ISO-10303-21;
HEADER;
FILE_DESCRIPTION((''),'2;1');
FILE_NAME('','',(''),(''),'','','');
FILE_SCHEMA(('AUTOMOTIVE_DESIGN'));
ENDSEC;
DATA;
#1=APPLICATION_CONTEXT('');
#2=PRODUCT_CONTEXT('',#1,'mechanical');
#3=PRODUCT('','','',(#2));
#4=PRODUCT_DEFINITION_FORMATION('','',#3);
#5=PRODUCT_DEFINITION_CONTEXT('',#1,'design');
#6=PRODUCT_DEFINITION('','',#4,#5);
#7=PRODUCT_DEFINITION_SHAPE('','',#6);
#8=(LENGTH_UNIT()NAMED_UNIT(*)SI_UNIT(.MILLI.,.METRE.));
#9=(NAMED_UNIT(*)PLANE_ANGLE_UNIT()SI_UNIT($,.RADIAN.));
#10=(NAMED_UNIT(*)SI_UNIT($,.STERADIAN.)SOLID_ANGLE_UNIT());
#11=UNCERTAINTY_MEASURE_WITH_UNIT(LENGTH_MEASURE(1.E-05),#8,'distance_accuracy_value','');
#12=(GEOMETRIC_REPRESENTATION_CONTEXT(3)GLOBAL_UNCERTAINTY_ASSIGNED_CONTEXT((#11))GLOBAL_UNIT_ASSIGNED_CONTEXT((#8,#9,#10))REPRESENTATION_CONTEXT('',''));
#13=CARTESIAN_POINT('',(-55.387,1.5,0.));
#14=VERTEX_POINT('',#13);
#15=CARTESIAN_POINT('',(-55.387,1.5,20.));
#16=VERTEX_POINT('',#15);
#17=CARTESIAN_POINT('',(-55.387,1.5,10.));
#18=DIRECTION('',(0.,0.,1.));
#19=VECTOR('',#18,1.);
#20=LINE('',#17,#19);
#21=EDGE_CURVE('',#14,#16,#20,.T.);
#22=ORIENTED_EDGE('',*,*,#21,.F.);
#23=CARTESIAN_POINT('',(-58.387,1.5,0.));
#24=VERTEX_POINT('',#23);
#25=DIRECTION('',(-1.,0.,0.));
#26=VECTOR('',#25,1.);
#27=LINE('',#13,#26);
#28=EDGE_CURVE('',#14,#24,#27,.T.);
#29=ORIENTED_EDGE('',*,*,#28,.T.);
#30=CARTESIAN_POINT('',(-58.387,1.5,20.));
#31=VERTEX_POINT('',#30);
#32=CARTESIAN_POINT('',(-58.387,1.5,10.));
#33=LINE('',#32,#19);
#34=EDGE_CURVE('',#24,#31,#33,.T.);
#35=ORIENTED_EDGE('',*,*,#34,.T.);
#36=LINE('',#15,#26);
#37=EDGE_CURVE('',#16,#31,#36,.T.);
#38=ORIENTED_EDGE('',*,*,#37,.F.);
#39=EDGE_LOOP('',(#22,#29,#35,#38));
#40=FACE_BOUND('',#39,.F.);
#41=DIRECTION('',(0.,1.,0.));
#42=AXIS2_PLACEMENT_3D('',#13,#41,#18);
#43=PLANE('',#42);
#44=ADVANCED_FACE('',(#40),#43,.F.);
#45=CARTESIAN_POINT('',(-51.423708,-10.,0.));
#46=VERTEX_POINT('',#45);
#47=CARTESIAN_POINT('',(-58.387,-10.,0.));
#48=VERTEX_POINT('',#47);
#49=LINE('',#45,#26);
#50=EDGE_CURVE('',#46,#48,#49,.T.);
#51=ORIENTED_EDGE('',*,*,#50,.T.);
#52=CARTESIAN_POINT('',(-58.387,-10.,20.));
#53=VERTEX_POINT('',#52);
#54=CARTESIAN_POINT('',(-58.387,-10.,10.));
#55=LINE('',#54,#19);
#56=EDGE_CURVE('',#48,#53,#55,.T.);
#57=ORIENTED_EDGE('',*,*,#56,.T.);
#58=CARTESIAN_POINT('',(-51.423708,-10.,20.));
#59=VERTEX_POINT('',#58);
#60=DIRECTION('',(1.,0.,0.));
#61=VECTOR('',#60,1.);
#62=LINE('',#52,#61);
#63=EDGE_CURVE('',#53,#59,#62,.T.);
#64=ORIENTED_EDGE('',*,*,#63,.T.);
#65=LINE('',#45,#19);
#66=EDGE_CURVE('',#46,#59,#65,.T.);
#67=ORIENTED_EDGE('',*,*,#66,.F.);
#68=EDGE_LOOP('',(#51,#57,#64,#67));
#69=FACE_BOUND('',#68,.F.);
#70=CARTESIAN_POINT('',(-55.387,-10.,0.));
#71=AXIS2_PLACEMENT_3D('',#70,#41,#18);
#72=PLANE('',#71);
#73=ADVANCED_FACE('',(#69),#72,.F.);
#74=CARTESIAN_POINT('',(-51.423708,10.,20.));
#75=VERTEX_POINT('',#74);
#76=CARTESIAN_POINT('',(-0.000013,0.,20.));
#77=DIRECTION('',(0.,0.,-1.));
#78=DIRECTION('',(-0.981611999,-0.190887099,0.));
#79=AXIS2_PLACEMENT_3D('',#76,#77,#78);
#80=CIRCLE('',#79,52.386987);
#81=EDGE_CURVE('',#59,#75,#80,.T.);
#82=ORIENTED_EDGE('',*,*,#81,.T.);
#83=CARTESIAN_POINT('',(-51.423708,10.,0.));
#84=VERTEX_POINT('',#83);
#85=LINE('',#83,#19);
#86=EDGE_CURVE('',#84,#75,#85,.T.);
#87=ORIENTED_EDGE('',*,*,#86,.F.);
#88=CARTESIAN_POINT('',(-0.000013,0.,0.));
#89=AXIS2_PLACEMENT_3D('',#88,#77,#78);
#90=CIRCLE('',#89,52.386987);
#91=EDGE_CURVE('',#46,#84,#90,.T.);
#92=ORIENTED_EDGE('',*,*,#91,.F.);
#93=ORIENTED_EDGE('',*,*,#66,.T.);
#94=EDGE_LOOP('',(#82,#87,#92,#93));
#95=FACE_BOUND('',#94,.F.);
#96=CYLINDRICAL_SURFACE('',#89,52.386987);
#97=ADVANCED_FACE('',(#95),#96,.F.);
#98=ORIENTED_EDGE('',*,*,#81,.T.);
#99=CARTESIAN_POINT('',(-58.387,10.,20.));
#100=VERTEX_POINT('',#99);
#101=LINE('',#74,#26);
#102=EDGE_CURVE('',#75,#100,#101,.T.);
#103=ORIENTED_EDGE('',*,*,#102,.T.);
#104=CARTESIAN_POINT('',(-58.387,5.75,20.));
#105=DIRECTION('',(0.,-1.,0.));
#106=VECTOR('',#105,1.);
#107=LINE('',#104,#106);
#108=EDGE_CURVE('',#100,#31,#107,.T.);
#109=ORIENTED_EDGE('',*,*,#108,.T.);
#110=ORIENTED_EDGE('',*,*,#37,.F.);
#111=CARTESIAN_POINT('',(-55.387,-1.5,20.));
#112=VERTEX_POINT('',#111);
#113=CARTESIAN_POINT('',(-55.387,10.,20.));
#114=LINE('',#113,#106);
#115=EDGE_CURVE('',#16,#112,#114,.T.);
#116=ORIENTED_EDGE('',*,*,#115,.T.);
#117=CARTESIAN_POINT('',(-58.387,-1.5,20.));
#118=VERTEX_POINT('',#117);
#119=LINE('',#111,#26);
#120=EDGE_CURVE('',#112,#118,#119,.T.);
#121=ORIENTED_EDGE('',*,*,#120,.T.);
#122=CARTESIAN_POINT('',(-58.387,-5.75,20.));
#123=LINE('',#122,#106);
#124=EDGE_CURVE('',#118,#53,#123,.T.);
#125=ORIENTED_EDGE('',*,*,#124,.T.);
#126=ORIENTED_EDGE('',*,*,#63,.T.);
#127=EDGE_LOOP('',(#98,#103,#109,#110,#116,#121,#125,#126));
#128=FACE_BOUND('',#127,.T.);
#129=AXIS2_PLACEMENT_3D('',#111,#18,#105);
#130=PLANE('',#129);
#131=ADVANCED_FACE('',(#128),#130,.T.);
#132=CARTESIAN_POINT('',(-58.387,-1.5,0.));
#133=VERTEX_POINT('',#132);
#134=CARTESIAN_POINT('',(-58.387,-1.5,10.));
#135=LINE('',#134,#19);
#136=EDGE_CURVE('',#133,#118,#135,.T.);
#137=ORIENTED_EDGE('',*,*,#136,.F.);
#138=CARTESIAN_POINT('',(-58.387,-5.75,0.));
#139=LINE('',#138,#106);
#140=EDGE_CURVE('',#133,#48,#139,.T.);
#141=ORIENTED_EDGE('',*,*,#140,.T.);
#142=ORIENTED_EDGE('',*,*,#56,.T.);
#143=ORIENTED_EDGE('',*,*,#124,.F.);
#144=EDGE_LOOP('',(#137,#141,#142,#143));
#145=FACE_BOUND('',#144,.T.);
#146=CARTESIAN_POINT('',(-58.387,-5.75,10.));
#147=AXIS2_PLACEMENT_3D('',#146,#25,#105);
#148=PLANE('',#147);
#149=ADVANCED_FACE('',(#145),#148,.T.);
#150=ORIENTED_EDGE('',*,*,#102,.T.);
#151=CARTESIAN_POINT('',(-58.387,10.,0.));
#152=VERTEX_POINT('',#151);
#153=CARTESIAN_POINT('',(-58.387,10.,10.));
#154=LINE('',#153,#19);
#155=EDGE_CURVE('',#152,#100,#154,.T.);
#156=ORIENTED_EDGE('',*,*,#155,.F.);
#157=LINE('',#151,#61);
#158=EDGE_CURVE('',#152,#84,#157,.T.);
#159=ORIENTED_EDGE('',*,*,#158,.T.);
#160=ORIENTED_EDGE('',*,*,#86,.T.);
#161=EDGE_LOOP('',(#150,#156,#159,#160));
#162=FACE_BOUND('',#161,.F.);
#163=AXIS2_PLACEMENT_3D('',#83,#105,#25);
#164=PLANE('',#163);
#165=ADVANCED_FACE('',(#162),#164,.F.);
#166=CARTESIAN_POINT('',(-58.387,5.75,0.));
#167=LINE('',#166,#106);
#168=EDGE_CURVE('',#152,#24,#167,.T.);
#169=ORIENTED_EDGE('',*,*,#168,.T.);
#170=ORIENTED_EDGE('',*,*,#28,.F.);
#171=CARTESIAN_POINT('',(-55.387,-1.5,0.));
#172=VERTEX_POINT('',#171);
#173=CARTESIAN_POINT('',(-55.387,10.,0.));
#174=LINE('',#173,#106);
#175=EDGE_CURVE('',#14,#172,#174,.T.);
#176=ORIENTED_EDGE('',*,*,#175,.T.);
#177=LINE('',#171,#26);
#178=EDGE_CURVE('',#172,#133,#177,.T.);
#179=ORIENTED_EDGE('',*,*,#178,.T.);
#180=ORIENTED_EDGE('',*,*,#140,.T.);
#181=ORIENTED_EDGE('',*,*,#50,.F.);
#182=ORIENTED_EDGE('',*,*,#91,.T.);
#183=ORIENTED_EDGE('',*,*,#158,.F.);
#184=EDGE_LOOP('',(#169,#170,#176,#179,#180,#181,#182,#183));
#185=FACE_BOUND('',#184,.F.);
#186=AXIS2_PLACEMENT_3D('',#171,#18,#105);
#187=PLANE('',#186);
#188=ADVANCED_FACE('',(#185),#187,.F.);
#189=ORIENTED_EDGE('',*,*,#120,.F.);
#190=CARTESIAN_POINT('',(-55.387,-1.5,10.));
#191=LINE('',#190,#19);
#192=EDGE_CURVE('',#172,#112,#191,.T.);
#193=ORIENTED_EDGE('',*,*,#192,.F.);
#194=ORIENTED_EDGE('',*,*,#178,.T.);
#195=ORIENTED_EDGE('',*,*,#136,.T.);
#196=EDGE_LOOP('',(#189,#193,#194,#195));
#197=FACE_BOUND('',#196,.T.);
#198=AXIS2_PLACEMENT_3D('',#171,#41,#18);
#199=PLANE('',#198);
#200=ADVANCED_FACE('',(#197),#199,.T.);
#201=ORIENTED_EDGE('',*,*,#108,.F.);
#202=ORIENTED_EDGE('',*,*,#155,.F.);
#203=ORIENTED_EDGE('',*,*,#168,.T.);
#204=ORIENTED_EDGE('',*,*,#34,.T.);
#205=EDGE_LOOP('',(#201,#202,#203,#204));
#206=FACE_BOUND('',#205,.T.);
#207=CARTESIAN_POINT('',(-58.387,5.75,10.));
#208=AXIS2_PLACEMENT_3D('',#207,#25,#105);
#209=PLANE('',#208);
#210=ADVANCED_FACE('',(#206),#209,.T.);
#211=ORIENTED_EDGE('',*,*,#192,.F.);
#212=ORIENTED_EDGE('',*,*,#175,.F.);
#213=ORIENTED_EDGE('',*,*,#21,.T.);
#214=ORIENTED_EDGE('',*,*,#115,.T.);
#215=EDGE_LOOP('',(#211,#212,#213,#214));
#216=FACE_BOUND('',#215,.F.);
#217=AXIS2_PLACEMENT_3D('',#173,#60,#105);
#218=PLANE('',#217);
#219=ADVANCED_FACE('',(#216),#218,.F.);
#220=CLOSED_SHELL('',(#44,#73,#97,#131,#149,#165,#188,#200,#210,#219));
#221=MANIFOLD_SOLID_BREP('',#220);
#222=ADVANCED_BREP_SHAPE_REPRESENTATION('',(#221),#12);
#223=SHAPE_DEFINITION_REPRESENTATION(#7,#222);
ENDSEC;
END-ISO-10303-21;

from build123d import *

# Parameters (mm, degrees)
F1_DEPTH = 20
F2_W     = 8.5
F2_H     = 20
F3_DEPTH = 3


with BuildPart() as f1:
    # F0 (on Top) → F1 (new body)
    with BuildSketch(Plane.XY):
        with BuildLine():
            ThreePointArc((-51.423708, -10), (-52.387, 0), (-51.423708, 10))
            Line((-51.423708, 10), (-55.387, 10))
            Line((-55.387, 10), (-55.387, 0))
            Line((-55.387, 0), (-55.387, -10))
            Line((-55.387, -10), (-51.423708, -10))
        make_face()
    extrude(amount=F1_DEPTH)

    # F2 (on face) → F3 (join)
    with BuildSketch(Plane(origin=(-55.387, 0, 0), x_dir=(0, -1, 0), z_dir=(-1, 0, 0))):
        with Locations((5.75, 10)):
            Rectangle(F2_W, F2_H)
        with Locations((-5.75, 10)):
            Rectangle(F2_W, F2_H)
    extrude(amount=F3_DEPTH)


solid = f1.part
